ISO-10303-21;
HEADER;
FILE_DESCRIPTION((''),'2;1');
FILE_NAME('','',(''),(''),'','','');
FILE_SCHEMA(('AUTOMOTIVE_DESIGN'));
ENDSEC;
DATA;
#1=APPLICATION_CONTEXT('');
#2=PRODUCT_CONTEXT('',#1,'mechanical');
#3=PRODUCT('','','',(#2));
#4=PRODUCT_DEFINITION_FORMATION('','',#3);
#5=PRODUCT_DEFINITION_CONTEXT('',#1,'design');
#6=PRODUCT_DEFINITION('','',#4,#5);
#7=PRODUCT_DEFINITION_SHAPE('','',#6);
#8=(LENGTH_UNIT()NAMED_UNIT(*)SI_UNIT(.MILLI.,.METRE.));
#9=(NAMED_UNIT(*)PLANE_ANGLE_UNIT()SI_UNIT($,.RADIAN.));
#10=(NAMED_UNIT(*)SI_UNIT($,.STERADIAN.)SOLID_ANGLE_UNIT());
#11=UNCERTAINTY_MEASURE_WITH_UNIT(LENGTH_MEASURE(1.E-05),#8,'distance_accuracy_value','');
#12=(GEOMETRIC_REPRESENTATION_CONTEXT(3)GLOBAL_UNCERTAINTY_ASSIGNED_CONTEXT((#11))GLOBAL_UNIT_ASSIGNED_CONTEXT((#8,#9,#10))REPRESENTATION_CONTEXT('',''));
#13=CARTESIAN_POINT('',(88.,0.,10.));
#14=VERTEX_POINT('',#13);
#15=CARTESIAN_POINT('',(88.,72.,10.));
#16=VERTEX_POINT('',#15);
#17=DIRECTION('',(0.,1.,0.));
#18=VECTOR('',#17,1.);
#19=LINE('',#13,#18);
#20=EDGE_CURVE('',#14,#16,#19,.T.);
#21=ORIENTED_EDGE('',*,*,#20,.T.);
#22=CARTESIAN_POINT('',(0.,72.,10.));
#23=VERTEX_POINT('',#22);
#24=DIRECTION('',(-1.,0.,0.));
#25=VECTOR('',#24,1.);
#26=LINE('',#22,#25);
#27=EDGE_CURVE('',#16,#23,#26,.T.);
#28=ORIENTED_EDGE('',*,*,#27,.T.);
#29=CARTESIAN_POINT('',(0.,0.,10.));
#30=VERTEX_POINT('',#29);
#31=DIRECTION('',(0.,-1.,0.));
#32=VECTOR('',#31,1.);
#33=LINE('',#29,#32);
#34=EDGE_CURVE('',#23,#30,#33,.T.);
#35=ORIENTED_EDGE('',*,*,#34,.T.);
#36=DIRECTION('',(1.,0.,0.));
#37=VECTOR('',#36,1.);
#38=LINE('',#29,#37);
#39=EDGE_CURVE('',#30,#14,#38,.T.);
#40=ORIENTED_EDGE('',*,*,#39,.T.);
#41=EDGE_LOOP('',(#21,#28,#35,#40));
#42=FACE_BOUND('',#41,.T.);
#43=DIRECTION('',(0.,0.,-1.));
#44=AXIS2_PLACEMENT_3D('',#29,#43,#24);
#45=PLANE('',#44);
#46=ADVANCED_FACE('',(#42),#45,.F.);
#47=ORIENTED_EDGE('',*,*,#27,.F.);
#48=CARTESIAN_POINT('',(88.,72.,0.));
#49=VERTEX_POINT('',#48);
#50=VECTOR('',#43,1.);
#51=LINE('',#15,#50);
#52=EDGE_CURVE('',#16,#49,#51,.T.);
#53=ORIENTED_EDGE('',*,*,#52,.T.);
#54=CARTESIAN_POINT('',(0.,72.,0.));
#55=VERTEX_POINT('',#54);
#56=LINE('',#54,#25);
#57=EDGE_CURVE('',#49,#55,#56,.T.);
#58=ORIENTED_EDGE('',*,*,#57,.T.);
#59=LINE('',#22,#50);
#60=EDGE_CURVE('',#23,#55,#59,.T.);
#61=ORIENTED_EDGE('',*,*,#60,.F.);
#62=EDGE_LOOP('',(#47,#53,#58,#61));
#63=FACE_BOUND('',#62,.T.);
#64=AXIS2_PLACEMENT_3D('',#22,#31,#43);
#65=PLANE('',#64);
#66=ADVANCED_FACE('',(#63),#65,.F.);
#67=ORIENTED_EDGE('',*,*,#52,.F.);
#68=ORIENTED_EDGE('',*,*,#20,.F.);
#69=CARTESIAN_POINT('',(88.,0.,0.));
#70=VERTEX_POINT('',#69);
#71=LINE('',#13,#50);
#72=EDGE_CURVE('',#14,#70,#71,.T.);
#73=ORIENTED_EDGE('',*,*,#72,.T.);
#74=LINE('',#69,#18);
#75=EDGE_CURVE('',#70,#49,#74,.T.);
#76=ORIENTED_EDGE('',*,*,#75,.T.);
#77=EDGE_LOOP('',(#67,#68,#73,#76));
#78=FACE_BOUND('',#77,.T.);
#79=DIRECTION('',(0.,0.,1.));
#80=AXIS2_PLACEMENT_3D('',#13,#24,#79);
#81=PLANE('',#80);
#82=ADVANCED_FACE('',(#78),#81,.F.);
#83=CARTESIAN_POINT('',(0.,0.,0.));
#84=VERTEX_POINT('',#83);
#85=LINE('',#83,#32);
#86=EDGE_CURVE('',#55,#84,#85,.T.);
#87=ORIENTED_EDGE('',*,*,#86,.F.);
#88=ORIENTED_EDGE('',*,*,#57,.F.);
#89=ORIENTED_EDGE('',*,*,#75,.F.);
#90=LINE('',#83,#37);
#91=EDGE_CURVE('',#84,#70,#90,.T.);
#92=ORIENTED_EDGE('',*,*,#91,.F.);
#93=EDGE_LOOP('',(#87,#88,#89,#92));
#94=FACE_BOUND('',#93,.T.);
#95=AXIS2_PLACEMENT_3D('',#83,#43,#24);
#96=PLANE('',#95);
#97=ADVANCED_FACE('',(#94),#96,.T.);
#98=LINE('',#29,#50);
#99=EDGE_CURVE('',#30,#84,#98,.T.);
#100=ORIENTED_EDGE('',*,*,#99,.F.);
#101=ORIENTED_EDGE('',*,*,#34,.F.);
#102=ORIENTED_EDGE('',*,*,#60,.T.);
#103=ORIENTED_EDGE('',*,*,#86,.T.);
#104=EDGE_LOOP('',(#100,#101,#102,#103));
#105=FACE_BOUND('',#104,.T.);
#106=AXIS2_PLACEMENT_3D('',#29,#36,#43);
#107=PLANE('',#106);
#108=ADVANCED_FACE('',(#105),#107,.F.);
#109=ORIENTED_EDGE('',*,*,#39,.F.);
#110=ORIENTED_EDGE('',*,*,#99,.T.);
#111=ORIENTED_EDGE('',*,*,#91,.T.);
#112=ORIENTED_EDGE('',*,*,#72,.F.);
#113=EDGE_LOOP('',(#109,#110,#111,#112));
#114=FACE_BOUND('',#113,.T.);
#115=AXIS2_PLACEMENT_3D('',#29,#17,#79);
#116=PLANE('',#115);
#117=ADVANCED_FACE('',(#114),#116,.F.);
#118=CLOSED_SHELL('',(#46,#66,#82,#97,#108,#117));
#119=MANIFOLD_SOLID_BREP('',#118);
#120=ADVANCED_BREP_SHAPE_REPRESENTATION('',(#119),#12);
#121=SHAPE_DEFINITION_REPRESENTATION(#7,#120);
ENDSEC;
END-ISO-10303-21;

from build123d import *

# Parameters (mm, degrees)
SKETCH_1_W      = 88
SKETCH_1_H      = 72
EXTRUDE_1_DEPTH = 10


with BuildPart() as part:
    # 草图1 → 凸台-拉伸1 (new body)
    with BuildSketch(Plane.XY):
        with Locations((44, 36)):
            Rectangle(SKETCH_1_W, SKETCH_1_H)
    extrude(amount=EXTRUDE_1_DEPTH)


solid = part.part
